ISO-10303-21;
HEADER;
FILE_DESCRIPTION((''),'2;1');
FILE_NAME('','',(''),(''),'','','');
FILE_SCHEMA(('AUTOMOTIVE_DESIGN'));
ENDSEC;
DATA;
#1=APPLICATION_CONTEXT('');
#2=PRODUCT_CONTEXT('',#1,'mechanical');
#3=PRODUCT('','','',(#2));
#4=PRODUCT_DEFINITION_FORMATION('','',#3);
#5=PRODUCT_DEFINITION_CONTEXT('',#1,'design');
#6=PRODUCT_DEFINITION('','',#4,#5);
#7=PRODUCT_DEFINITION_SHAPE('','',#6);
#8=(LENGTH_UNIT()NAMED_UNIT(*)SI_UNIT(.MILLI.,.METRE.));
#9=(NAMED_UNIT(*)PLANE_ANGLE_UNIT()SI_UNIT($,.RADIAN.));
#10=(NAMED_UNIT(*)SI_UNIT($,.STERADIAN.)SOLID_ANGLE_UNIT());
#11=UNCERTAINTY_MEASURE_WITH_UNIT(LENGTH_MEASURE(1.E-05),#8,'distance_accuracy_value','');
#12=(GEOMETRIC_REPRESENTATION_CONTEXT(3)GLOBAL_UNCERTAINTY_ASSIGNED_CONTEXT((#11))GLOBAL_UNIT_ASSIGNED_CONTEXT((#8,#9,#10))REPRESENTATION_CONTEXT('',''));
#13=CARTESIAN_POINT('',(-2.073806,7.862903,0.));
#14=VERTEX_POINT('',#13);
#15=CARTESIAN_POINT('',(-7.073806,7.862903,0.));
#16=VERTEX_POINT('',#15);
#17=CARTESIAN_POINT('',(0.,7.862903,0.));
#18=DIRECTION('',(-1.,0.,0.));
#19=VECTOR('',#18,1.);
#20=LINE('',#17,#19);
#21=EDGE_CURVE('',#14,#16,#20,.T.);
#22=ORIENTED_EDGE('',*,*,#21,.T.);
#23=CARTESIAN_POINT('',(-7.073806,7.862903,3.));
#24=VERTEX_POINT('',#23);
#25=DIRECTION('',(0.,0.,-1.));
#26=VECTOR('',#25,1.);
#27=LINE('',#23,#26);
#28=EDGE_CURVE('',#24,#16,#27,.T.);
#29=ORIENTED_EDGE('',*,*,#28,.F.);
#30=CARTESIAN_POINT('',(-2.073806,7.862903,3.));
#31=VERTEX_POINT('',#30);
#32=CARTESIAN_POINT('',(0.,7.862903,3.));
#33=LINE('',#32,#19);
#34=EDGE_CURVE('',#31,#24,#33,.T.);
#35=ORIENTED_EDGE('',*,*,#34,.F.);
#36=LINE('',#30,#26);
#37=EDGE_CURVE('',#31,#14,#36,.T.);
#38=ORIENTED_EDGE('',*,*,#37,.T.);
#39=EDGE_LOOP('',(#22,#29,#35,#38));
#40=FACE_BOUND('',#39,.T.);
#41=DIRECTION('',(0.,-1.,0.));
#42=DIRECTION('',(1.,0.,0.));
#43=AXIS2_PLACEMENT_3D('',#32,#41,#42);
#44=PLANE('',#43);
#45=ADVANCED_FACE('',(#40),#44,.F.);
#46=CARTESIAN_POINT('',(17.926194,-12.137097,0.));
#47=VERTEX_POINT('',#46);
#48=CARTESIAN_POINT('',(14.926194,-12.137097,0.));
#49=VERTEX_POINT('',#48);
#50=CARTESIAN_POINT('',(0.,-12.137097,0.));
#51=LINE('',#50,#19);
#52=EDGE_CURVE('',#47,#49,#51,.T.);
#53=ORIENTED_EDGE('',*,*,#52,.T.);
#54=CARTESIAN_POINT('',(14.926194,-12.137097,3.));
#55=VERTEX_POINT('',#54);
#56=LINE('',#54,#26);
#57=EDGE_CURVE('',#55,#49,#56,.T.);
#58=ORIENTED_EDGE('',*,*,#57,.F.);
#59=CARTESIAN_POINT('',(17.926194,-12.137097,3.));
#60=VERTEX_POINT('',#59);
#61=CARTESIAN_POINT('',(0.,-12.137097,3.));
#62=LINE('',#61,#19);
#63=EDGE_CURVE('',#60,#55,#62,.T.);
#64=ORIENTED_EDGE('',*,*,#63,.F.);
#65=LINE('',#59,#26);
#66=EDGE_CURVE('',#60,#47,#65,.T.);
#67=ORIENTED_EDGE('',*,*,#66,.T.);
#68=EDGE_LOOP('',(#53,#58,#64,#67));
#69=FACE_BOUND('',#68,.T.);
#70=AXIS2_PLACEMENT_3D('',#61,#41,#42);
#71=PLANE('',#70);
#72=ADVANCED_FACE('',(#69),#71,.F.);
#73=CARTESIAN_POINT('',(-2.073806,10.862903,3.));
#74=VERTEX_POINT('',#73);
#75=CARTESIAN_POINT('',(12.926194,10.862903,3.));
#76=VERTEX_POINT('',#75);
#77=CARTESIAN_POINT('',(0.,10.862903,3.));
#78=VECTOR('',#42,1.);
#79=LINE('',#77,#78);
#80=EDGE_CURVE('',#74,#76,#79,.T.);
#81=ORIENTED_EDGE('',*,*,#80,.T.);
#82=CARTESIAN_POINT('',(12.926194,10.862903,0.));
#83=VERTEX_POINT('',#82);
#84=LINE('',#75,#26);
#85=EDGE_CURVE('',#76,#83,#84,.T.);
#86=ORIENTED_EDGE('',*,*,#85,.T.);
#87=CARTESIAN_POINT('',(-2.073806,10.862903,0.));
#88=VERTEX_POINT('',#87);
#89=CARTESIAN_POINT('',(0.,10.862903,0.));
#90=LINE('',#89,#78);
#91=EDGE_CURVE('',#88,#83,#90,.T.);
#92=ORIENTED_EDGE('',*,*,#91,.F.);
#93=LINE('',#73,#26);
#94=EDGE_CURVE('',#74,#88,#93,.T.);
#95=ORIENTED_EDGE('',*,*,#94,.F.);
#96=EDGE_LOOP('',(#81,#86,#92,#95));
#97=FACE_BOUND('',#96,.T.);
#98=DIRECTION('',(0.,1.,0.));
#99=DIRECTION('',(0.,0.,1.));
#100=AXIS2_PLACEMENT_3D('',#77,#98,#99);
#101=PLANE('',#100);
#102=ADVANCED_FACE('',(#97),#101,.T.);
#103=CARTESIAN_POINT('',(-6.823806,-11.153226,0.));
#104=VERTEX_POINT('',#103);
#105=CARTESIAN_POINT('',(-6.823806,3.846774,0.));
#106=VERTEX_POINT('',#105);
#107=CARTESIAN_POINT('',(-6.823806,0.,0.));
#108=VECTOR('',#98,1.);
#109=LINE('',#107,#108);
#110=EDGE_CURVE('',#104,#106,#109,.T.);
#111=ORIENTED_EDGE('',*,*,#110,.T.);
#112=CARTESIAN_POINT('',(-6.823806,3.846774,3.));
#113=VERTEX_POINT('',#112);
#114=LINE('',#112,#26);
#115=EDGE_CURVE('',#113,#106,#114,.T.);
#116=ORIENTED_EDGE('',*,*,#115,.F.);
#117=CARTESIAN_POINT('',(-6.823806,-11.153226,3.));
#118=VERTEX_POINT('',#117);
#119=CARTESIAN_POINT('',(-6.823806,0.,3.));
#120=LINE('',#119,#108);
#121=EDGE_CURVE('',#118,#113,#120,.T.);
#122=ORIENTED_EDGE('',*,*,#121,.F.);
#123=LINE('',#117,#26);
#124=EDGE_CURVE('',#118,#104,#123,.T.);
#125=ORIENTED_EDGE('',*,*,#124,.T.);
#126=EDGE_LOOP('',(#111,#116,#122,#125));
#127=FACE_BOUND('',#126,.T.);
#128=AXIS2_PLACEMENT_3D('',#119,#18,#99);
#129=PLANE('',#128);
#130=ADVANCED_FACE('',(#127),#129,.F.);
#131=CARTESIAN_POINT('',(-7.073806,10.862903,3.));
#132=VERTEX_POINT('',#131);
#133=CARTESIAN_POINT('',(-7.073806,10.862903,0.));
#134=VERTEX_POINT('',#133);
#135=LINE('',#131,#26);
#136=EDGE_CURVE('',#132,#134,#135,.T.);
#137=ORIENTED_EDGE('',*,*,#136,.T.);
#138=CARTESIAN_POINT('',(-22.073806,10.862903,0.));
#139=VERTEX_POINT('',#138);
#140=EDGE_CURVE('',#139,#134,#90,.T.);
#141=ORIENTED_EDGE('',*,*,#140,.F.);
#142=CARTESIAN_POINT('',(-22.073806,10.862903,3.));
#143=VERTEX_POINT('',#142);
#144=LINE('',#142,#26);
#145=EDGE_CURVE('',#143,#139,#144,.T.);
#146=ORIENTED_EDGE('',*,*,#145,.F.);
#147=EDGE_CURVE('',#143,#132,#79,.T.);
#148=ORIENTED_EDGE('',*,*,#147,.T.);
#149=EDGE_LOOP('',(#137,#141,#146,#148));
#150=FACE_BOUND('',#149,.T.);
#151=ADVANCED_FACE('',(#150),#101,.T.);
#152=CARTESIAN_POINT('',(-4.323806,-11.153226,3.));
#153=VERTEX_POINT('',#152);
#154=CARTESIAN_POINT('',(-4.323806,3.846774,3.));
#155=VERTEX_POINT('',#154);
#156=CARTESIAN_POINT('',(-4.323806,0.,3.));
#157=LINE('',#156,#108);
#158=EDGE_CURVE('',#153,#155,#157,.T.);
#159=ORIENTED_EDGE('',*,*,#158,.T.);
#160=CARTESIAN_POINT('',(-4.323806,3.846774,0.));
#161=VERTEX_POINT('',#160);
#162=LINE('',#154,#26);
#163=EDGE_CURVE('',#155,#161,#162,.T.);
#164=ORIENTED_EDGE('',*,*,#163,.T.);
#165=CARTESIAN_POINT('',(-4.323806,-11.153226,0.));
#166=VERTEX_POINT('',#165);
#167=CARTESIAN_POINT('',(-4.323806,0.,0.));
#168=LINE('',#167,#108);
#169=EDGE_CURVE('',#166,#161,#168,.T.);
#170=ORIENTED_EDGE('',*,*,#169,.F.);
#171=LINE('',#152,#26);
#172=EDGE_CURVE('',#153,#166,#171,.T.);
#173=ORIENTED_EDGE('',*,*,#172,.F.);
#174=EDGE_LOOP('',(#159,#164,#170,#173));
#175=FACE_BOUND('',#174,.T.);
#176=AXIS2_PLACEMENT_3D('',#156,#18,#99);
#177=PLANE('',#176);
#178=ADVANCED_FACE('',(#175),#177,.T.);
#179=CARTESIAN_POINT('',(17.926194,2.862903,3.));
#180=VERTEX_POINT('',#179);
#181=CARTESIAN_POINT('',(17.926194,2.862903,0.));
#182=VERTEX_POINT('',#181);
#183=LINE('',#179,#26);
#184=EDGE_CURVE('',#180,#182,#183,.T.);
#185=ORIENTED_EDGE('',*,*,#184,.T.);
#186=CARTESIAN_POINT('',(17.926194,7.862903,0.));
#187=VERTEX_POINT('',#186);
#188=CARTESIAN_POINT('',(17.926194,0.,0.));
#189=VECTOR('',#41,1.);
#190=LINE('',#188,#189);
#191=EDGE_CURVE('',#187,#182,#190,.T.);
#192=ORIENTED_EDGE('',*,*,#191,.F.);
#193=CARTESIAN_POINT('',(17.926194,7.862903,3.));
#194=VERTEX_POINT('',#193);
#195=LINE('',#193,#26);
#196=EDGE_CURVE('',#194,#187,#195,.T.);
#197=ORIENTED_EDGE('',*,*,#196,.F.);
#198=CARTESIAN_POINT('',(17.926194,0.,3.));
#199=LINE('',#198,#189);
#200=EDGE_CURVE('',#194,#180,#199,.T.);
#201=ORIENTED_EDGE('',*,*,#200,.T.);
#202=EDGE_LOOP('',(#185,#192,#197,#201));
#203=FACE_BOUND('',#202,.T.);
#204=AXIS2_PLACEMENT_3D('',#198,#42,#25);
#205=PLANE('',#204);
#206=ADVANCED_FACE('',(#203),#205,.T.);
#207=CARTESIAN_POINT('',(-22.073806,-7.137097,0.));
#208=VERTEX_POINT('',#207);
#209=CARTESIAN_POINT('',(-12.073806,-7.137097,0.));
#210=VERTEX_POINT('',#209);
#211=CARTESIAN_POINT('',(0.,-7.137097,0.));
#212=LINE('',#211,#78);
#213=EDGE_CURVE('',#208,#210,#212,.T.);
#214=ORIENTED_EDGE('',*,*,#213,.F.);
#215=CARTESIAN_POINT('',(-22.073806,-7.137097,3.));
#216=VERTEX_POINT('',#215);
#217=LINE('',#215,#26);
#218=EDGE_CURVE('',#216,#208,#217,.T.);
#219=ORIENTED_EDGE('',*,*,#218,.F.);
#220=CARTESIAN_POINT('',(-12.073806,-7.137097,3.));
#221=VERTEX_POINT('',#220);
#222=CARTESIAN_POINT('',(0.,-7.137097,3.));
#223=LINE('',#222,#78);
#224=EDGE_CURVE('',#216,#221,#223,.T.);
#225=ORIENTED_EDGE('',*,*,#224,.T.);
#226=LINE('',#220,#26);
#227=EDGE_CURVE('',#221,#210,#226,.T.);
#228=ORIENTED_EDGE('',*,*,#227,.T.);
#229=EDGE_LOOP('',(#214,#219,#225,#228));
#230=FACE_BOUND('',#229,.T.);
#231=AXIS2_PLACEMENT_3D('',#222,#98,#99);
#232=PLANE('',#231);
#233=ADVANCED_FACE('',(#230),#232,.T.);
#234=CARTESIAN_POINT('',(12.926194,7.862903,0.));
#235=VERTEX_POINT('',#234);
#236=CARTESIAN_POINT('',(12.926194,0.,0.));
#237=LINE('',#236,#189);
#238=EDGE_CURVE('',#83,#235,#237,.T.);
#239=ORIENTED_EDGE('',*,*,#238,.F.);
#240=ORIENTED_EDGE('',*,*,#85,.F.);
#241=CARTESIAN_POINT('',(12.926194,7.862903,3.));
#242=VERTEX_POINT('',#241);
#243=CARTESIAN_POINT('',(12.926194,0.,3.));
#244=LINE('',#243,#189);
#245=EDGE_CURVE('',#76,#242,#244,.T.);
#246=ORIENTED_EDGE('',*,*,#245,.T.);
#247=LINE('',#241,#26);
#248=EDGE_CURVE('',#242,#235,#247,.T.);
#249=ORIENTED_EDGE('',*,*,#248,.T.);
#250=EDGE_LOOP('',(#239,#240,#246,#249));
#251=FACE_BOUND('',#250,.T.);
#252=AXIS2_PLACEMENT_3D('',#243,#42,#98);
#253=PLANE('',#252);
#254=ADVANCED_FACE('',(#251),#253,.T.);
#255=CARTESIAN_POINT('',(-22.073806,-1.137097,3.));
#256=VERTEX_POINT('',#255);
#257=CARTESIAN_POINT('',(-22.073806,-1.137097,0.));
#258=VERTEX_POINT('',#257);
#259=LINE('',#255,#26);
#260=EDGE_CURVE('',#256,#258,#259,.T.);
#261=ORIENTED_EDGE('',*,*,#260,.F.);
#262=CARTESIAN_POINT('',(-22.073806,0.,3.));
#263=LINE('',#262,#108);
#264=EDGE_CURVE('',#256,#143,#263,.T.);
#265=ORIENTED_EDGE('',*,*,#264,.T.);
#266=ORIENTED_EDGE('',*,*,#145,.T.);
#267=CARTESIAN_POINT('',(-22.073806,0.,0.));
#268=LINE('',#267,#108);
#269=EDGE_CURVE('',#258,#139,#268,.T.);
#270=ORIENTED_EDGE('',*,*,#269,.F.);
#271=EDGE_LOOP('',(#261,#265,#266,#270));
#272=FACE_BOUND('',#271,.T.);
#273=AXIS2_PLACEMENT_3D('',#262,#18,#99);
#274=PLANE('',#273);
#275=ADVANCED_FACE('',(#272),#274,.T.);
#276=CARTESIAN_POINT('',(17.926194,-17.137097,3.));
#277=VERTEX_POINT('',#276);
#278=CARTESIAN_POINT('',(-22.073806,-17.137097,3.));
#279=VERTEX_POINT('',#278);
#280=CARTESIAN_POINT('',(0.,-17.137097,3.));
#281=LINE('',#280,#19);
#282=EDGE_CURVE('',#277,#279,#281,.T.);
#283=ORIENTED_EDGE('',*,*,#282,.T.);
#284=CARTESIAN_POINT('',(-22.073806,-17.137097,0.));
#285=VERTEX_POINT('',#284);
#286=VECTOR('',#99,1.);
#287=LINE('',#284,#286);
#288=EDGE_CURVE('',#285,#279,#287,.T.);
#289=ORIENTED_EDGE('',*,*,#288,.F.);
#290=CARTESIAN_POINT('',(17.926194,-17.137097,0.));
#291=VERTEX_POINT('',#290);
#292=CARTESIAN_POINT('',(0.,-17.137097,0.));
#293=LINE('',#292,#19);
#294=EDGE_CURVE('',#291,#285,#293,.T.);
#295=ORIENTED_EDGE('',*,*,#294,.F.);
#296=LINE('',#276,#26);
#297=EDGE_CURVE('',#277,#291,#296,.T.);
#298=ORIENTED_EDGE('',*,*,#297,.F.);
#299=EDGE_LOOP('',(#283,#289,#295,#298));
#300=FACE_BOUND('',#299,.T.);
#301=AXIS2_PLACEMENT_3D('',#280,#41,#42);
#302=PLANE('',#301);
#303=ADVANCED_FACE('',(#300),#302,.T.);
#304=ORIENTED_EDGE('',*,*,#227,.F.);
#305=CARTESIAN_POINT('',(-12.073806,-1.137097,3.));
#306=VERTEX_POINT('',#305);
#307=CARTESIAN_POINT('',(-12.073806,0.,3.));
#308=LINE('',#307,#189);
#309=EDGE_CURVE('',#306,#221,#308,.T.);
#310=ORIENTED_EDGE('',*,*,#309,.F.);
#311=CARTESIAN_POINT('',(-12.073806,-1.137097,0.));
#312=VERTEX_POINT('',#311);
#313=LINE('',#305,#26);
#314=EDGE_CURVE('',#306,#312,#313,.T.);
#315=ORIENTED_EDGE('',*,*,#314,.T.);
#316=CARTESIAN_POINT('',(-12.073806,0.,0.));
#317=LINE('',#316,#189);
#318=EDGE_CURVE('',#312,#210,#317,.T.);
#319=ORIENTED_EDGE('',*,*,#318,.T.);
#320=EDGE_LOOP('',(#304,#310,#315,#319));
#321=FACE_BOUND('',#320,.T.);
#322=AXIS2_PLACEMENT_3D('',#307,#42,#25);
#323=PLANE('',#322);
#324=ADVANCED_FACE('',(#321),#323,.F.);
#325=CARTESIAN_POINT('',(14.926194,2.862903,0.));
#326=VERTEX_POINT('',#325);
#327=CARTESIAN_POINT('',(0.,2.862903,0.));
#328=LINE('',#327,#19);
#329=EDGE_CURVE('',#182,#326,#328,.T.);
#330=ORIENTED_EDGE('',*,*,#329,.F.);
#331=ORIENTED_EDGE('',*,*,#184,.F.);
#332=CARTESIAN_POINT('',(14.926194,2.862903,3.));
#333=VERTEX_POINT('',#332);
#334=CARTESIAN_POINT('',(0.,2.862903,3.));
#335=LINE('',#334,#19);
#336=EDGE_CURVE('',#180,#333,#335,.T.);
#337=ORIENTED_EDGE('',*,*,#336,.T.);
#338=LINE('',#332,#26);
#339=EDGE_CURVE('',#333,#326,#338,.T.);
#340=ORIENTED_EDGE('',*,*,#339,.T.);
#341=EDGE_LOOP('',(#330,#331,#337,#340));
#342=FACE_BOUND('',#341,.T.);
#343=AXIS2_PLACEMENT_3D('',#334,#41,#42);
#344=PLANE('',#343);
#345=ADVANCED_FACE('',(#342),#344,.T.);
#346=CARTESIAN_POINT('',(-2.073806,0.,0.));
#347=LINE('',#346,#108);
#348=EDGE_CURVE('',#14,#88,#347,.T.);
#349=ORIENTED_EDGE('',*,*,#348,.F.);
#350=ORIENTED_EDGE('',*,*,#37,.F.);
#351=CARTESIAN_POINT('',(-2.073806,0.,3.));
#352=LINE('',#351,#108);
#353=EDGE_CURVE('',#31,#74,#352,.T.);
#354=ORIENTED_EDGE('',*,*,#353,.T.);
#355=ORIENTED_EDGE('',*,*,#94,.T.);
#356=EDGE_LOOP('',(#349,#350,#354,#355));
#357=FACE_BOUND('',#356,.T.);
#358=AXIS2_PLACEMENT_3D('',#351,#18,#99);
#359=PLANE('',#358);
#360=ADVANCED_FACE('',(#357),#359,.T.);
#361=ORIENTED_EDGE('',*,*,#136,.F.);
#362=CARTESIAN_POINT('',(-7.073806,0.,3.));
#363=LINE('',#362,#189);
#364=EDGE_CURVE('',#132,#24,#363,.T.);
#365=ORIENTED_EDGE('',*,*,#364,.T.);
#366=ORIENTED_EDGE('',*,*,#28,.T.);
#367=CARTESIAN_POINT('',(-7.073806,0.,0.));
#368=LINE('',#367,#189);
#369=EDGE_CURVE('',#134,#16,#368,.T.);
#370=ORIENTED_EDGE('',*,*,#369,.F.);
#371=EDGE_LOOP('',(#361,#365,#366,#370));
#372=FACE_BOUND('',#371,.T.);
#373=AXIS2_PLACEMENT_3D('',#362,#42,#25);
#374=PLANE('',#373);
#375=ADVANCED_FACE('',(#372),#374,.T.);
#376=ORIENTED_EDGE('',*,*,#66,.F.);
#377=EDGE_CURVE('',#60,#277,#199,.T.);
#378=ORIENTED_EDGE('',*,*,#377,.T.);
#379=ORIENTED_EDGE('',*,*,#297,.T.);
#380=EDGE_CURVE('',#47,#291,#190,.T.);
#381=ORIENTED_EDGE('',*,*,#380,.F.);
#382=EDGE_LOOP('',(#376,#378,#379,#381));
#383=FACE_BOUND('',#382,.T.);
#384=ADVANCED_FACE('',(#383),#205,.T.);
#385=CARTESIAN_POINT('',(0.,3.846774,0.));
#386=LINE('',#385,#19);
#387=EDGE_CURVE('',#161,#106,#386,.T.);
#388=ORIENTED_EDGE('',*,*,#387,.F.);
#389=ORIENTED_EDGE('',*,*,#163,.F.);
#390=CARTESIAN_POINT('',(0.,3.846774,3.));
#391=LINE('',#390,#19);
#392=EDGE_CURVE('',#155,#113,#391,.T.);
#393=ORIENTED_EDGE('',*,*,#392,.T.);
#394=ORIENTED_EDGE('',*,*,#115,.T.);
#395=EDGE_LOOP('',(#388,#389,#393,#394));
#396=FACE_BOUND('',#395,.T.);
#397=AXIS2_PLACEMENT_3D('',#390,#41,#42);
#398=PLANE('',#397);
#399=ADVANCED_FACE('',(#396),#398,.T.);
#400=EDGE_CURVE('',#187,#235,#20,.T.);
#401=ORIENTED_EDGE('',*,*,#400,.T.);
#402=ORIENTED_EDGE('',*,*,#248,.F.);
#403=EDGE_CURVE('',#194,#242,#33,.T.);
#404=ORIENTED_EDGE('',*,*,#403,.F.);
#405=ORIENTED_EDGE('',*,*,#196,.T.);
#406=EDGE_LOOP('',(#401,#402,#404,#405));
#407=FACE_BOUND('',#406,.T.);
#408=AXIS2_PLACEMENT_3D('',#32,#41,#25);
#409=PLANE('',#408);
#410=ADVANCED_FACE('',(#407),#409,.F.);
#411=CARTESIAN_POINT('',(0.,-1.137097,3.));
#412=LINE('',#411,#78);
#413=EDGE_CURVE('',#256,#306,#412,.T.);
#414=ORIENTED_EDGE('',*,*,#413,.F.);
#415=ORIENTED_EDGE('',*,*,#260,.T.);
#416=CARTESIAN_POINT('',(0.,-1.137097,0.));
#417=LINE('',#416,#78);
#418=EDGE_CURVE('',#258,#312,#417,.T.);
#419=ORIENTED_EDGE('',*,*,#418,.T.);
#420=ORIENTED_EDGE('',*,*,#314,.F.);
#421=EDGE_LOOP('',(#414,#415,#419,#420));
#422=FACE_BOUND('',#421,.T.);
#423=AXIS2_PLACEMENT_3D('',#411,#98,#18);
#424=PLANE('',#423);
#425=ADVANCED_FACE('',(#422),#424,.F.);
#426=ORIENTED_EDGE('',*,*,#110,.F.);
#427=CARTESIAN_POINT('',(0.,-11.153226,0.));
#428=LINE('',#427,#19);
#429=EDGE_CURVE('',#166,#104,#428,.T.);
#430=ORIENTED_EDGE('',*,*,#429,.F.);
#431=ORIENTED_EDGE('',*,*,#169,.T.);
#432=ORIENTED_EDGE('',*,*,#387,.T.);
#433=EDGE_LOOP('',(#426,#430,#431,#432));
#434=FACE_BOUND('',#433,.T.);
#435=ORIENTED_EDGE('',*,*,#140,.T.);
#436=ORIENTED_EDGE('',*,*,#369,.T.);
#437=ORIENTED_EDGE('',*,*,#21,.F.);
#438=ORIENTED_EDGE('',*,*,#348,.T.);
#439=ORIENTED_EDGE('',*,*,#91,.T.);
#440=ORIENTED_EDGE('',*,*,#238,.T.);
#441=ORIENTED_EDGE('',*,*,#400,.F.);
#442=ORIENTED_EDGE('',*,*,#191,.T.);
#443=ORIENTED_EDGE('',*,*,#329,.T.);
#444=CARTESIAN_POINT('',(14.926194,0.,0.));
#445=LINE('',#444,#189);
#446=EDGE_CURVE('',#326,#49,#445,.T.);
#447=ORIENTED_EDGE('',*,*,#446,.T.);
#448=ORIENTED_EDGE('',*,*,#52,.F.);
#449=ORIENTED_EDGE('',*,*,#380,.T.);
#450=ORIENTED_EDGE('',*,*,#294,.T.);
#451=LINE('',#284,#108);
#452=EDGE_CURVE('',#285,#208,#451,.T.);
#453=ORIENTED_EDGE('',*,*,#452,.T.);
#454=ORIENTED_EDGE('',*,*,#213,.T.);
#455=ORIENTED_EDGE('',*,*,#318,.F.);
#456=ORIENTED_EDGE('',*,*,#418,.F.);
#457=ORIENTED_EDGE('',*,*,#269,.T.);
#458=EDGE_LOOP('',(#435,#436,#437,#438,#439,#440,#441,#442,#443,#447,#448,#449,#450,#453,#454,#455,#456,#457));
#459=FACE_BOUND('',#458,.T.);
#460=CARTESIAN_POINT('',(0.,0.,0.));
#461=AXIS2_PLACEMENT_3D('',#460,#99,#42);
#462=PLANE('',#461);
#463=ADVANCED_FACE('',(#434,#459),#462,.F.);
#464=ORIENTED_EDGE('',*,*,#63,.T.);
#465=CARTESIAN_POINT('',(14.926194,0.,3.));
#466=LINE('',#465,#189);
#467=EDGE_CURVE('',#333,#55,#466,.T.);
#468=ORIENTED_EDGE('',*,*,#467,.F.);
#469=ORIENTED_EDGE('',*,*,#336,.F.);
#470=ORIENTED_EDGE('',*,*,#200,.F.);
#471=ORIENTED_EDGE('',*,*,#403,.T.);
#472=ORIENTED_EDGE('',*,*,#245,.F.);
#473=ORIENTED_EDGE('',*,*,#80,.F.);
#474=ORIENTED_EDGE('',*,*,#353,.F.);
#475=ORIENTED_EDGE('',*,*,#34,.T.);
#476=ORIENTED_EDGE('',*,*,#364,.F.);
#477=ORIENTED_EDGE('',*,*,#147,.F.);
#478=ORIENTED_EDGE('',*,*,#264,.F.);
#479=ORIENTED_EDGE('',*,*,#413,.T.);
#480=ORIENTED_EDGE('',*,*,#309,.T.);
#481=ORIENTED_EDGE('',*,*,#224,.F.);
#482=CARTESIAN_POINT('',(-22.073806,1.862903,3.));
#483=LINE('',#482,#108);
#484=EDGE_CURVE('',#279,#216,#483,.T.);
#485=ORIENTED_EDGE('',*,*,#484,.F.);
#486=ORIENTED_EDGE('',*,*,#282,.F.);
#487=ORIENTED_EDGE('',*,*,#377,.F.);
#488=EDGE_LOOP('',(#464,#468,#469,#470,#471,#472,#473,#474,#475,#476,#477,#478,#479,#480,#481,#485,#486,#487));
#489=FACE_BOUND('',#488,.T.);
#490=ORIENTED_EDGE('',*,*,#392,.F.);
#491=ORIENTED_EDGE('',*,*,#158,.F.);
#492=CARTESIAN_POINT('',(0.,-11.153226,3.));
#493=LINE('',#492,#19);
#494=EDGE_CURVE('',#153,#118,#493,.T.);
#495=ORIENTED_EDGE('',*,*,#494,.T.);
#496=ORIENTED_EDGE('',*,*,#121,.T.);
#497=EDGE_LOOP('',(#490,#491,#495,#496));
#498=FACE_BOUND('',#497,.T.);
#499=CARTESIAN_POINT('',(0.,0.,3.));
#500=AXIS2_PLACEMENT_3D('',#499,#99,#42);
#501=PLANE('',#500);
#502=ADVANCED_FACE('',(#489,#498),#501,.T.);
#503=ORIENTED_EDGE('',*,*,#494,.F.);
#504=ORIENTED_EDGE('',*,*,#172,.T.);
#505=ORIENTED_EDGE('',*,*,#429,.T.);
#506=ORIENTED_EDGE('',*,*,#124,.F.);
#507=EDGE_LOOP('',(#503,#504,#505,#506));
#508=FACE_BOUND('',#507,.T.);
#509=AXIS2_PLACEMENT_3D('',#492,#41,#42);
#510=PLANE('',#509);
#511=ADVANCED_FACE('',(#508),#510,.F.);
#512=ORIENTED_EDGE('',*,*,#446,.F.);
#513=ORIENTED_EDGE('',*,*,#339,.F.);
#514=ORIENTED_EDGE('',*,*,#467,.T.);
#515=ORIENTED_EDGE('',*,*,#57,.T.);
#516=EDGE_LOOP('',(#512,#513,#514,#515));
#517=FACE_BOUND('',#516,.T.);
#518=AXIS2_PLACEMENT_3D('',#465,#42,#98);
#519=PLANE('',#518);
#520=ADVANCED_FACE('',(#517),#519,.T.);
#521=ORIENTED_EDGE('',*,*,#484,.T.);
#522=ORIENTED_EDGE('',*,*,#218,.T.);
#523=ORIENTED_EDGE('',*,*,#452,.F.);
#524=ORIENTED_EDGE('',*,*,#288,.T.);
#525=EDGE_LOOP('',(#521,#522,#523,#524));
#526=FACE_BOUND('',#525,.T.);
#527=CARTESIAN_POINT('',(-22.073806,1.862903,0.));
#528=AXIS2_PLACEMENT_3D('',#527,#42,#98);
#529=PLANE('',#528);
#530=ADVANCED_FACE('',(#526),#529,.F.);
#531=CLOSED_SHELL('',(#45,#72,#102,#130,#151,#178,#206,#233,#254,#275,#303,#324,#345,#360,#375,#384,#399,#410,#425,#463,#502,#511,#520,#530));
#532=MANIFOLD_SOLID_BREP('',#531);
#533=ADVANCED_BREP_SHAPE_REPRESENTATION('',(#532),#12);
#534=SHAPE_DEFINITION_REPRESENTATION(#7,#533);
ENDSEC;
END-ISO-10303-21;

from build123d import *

# Parameters (mm, degrees)
SKETCH2_W           = 15
SKETCH2_H           = 6
SKETCH2_W_2         = 2.5
SKETCH2_H_2         = 15
BOSS_EXTRUDE1_DEPTH = 3
CUT_EXTRUDE1_DEPTH  = 4


with BuildPart() as part:
    # Sketch2 → Boss-Extrude1 (new body)
    with BuildSketch(Plane.XY):
        Polygon((-22.073806452, 10.862903226), (-22.073806452, 7.862903226), (-32.073806452, 7.862903226), (-32.073806452, -17.137096774), (17.926193548, -17.137096774), (17.926193548, -12.137096774), (14.926193548, -12.137096774), (14.926193548, 2.862903226), (17.926193548, 2.862903226), (17.926193548, 7.862903226), (12.926193548, 7.862903226), (12.926193548, 10.862903226), (-2.073806452, 10.862903226), (-2.073806452, 7.862903226), (-7.073806452, 7.862903226), (-7.073806452, 10.862903226), align=None)
        with Locations((-19.573806452, -4.137096774)):
            Rectangle(SKETCH2_W, SKETCH2_H, mode=Mode.SUBTRACT)
        with Locations((-5.573806452, -3.653225806)):
            Rectangle(SKETCH2_W_2, SKETCH2_H_2, mode=Mode.SUBTRACT)
    extrude(amount=BOSS_EXTRUDE1_DEPTH)

    # Sketch4 → Cut-Extrude1 (cut, through all)
    with BuildSketch(Plane.XY.offset(3)):
        Polygon((-22.073806452, 1.862903226), (-22.073806452, 7.862903226), (-32.073806452, 7.862903226), (-32.073806452, 1.862903226), (-32.073806452, -17.137096774), (-22.073806452, -17.137096774), align=None)
    extrude(amount=-CUT_EXTRUDE1_DEPTH, mode=Mode.SUBTRACT)


solid = part.part
